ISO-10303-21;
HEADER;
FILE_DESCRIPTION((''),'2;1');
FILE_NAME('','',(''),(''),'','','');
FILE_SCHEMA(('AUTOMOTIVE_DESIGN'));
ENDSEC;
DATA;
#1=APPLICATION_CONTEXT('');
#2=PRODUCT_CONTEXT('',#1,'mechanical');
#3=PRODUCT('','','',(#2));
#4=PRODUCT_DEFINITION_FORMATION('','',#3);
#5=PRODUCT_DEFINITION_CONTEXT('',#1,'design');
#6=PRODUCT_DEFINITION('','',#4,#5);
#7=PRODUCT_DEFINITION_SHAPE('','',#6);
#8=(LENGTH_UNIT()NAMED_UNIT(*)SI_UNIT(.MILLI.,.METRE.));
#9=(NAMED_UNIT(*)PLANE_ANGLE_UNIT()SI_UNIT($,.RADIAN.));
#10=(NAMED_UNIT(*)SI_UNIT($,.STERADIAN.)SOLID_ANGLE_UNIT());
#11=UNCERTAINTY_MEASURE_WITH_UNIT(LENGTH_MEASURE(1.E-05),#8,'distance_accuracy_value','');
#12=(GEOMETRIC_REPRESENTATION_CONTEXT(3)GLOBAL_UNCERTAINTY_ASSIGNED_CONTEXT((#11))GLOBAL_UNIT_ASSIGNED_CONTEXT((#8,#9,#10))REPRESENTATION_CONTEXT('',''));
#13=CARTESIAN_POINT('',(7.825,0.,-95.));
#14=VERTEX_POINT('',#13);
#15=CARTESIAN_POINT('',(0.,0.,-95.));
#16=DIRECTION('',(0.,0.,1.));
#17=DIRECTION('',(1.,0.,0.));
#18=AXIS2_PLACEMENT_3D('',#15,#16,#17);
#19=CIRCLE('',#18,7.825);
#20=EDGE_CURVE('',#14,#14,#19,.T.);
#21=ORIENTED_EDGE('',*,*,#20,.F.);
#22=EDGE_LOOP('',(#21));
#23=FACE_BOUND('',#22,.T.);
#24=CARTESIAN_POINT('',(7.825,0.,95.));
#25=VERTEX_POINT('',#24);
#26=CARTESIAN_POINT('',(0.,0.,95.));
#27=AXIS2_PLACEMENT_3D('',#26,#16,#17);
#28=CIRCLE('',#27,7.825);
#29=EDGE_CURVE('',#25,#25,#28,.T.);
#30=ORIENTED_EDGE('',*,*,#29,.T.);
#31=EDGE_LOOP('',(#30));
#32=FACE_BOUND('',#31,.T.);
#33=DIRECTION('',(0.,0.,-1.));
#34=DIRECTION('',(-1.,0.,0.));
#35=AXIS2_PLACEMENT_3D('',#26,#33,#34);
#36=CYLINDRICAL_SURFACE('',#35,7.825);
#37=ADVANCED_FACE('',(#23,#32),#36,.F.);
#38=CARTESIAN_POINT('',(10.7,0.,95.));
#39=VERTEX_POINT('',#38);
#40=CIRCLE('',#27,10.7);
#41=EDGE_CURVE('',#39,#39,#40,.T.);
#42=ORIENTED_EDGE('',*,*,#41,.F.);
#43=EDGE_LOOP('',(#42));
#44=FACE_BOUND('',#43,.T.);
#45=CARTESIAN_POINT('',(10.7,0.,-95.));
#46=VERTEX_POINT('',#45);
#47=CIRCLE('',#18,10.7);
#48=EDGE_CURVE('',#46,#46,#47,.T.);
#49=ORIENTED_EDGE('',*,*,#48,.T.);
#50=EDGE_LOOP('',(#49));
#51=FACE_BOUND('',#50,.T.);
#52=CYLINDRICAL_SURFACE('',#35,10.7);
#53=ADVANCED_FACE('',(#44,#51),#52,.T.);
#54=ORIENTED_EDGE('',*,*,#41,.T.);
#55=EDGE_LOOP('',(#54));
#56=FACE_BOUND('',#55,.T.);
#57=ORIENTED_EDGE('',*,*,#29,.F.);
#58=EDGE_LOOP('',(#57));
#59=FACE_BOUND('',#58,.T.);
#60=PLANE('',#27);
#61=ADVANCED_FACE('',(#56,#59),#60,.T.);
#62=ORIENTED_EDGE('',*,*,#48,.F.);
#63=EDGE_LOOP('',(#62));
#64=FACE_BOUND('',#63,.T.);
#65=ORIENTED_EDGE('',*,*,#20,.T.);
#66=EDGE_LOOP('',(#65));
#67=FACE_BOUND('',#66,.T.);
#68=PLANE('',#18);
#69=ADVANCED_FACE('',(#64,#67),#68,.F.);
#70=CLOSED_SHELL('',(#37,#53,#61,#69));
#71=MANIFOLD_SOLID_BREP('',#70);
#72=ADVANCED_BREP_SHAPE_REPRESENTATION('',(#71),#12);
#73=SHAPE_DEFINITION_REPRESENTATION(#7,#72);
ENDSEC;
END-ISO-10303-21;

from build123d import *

# Parameters (mm, degrees)
CROQUIS1_R              = 10.7
CROQUIS1_R_2            = 7.825
SALIENTE_EXTRUIR1_DEPTH = 95


with BuildPart() as part:
    # Croquis1 → Saliente-Extruir1 (new body, symmetric)
    with BuildSketch(Plane.XY):
        Circle(CROQUIS1_R)
        Circle(CROQUIS1_R_2, mode=Mode.SUBTRACT)
    extrude(amount=SALIENTE_EXTRUIR1_DEPTH, both=True)


solid = part.part
